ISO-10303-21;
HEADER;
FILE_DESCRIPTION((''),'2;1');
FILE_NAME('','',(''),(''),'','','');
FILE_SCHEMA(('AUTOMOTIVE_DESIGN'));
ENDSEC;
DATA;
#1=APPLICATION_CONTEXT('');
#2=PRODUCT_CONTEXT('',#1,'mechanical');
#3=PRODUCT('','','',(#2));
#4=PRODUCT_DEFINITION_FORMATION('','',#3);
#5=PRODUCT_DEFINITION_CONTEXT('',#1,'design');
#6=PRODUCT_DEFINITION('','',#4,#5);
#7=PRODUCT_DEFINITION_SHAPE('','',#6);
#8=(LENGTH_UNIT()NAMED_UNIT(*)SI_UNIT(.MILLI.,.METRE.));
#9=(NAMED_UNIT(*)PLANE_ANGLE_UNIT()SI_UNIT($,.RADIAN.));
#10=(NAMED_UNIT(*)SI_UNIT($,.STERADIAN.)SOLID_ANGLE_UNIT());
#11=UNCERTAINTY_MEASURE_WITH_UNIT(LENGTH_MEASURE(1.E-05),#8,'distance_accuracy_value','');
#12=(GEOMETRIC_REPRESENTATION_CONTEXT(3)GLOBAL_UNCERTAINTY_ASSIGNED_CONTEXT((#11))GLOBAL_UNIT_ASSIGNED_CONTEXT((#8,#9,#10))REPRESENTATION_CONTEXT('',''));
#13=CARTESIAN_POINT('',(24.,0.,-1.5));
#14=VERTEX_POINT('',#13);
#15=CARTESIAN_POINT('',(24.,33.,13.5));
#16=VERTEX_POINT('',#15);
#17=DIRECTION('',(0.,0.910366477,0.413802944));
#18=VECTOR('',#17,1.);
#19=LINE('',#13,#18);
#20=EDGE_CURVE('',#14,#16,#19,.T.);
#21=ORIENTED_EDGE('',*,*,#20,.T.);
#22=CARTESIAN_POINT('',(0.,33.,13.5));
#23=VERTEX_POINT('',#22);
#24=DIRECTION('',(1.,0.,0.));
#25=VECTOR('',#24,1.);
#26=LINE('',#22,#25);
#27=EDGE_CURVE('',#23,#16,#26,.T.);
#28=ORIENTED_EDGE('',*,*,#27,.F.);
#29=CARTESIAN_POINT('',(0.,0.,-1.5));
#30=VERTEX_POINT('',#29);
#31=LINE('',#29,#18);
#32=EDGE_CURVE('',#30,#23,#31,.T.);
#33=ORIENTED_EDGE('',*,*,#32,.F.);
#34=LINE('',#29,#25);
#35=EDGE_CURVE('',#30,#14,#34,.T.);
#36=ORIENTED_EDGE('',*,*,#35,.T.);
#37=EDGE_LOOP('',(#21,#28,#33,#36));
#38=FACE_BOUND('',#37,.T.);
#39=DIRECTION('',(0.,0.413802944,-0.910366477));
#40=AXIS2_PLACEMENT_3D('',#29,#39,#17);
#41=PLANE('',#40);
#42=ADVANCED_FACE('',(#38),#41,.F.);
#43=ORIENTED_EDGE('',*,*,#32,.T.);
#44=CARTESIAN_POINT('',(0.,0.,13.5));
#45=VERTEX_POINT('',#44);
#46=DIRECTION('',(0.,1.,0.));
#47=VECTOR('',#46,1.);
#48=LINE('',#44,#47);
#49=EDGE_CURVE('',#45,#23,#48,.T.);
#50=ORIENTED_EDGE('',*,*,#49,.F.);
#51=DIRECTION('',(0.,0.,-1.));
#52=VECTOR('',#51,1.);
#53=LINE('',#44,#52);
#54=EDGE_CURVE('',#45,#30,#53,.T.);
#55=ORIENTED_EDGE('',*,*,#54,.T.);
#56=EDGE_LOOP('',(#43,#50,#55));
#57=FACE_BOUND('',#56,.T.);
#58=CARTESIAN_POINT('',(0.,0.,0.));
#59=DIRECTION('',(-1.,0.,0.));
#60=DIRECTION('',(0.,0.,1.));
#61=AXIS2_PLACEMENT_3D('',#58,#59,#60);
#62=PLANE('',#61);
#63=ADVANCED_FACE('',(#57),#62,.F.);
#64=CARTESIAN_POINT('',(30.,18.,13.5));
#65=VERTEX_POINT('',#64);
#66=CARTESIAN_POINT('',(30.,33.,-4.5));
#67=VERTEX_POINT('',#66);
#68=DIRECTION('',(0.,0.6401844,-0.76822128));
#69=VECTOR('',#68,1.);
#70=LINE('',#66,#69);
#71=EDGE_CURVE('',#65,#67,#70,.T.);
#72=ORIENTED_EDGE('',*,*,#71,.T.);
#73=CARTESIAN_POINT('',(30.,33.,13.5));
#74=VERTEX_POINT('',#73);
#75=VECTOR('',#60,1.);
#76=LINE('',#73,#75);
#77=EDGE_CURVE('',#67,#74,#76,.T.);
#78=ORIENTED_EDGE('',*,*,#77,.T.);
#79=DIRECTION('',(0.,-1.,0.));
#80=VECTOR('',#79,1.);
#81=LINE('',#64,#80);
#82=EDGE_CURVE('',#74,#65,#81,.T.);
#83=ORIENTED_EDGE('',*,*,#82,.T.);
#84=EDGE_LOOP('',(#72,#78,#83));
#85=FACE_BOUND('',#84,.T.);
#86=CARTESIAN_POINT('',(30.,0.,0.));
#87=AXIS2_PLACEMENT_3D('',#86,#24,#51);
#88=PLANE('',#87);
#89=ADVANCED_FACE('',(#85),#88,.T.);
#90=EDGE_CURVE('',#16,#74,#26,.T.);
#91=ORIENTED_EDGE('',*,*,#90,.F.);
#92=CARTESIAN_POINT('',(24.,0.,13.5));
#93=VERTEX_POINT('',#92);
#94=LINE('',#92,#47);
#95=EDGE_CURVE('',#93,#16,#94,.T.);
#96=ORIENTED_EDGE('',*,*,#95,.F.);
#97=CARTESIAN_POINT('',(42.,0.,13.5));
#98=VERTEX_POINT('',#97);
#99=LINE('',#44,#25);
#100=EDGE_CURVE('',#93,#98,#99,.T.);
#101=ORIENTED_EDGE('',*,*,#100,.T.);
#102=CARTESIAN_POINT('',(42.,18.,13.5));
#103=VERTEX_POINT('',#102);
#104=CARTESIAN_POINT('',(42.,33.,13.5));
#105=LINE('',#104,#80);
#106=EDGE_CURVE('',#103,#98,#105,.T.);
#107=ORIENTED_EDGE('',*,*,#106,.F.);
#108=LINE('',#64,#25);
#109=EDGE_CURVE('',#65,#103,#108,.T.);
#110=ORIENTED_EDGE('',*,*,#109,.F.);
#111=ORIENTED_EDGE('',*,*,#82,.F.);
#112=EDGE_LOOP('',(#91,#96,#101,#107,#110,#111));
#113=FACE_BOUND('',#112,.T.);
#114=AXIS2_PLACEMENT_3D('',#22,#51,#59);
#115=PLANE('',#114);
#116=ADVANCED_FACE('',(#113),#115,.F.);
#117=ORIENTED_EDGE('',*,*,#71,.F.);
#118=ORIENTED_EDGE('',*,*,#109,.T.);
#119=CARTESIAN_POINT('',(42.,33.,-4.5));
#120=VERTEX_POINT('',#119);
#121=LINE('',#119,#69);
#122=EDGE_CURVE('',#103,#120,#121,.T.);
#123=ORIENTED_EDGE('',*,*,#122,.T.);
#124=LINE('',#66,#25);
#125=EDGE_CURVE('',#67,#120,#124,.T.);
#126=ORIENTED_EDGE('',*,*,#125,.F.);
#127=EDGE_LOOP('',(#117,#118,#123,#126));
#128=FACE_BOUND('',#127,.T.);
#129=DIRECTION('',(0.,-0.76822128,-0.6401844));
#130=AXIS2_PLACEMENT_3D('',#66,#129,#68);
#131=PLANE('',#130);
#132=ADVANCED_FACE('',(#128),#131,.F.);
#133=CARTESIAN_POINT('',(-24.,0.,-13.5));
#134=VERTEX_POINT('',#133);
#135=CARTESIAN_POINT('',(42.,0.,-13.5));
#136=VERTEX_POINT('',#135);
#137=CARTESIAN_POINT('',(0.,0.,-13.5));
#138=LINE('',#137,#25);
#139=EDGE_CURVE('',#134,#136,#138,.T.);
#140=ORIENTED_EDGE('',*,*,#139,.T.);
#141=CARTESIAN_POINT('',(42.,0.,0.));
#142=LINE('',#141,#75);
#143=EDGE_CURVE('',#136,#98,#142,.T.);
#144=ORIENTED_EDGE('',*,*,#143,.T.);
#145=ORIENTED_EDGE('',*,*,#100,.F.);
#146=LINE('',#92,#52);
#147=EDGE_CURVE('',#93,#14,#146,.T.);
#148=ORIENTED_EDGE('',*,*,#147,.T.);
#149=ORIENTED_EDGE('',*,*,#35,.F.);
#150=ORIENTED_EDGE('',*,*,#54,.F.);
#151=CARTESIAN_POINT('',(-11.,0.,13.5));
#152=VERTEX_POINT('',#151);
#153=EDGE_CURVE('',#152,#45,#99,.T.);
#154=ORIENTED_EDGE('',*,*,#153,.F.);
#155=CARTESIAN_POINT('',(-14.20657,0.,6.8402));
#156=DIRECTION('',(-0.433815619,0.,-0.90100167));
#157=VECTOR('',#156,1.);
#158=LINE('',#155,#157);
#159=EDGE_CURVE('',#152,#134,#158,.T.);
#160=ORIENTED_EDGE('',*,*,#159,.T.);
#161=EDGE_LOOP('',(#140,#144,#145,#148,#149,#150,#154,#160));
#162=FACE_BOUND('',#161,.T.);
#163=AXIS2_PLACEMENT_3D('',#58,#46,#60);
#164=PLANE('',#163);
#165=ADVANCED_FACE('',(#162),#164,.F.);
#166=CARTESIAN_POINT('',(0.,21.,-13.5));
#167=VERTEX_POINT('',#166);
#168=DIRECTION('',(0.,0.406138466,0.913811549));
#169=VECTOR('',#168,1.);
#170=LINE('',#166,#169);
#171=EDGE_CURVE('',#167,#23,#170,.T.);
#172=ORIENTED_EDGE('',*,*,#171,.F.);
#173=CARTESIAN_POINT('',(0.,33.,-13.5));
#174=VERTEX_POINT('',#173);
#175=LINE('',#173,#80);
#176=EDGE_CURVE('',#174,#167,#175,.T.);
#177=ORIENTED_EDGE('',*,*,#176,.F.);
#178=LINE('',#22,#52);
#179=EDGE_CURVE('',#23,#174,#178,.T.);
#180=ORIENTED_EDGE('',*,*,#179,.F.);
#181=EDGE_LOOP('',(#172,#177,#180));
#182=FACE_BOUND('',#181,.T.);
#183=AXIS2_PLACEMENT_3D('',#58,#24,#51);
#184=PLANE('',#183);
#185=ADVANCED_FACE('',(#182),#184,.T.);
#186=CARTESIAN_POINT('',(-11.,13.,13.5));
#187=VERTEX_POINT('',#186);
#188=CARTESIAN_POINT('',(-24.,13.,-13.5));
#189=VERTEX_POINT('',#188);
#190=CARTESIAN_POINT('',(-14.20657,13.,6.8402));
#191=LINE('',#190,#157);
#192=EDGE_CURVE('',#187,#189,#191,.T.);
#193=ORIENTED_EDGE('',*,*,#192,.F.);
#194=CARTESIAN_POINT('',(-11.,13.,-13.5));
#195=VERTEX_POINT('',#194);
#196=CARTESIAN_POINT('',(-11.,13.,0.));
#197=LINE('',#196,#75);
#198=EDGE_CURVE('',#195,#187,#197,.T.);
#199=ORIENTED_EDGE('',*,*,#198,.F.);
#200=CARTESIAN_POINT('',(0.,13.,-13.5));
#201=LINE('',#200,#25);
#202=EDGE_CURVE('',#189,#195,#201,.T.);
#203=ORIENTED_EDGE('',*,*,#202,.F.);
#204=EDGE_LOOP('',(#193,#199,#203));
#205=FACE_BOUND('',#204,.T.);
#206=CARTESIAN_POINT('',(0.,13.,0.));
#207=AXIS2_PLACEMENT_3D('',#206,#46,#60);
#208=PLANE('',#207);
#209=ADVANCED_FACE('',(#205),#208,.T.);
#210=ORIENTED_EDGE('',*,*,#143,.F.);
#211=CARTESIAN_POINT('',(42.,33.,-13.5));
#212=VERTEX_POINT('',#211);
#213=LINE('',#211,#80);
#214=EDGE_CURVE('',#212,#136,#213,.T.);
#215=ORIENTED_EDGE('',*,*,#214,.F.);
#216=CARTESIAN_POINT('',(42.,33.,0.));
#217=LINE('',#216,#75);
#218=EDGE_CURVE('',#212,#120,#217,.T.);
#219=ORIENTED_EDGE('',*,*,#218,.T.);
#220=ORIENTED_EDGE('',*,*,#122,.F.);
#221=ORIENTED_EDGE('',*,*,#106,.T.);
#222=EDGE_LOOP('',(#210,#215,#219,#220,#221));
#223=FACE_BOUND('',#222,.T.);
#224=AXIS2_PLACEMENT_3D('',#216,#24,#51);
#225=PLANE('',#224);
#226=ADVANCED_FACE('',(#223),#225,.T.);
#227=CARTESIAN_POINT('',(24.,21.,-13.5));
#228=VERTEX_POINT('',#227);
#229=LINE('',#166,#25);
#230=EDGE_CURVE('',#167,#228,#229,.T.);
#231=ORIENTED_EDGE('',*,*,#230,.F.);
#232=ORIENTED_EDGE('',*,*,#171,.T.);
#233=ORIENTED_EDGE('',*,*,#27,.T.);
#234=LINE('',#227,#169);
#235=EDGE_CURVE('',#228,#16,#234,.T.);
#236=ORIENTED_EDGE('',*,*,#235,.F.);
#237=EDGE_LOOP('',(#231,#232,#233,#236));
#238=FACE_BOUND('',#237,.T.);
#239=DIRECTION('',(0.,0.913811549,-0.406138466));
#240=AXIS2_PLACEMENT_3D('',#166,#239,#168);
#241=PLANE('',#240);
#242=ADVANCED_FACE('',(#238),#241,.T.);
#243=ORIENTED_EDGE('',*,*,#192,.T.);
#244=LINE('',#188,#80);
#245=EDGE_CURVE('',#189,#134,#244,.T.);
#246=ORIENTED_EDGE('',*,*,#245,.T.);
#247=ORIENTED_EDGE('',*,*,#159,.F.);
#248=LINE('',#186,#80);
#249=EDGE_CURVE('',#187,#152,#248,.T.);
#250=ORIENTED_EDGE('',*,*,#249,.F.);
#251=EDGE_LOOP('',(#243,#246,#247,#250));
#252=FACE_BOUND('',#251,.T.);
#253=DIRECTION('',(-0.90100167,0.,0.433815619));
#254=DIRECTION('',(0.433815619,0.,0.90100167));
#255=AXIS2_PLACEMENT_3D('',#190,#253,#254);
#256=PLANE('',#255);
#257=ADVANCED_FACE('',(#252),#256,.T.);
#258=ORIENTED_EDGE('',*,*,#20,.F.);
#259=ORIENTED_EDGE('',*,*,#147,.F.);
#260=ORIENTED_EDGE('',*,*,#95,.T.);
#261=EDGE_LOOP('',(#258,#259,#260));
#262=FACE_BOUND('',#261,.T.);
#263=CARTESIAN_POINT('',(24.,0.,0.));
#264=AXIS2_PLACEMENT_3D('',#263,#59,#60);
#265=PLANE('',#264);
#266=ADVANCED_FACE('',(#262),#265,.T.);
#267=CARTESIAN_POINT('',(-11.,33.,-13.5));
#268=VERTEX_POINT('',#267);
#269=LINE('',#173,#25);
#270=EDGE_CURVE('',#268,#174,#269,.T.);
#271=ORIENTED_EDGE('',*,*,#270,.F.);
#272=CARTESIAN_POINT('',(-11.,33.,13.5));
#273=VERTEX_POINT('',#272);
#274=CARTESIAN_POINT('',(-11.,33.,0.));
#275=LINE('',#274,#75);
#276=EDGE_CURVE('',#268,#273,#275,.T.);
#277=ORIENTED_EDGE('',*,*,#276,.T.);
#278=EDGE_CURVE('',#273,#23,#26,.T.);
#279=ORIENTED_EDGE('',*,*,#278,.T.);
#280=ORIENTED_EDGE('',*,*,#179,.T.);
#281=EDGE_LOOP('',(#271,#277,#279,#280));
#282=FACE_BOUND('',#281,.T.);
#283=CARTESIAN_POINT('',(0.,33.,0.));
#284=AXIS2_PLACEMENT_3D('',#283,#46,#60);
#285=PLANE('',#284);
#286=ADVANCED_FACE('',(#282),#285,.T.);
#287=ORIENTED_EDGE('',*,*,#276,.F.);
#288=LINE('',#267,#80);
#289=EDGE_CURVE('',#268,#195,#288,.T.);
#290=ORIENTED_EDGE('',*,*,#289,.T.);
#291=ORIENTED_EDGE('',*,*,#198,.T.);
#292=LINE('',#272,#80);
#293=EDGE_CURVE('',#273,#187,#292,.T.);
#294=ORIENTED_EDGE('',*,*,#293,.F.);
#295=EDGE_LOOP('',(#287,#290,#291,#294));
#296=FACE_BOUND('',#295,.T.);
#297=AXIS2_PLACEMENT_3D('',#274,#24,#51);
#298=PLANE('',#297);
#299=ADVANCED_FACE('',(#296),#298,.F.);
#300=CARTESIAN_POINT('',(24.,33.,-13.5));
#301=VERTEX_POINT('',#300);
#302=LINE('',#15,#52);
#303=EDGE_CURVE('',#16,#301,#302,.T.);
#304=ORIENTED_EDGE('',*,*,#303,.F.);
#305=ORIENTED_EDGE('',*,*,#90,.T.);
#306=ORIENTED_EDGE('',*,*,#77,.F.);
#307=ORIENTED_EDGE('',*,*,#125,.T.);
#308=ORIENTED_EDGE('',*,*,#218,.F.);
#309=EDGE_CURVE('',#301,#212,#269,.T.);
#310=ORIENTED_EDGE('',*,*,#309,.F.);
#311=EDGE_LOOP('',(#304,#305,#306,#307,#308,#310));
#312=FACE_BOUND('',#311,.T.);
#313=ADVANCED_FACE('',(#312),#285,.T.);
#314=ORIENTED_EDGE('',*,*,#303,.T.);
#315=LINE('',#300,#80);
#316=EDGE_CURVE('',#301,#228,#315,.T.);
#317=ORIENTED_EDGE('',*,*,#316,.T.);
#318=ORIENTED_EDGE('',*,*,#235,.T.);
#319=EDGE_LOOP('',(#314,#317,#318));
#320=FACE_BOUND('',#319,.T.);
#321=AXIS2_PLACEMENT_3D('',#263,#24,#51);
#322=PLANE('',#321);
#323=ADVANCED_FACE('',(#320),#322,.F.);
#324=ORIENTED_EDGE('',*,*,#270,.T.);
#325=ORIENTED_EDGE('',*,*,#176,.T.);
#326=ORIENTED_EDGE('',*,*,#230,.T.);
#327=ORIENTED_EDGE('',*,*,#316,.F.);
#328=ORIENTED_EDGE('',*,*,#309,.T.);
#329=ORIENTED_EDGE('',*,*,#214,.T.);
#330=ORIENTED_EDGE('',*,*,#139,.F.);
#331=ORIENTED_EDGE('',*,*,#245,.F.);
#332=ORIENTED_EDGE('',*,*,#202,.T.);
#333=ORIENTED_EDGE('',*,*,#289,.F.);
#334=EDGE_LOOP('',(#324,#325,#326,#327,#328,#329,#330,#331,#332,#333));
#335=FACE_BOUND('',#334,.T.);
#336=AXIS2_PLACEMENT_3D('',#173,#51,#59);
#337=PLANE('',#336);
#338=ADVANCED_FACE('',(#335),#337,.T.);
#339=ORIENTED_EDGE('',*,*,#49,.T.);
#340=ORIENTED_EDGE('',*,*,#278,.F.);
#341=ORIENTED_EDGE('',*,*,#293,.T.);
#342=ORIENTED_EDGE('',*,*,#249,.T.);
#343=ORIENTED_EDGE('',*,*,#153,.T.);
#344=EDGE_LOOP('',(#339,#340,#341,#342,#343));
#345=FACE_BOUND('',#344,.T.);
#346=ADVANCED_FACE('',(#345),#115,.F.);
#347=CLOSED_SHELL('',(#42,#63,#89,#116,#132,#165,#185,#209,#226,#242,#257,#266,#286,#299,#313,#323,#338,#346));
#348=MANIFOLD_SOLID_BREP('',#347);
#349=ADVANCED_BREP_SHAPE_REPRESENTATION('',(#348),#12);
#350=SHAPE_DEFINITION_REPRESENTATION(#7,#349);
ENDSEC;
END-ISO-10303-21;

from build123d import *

# Parameters (mm, degrees)
SKETCH1_W             = 11
SKETCH1_H             = 27
BOSS_EXTRUDE1_DEPTH   = 33
SKETCH1_W_2           = 18
BOSS_EXTRUDE1_2_DEPTH = 33
BOSS_EXTRUDE2_DEPTH   = 13
SKETCH1_5_W           = 24
SKETCH1_5_H           = 27
BOSS_EXTRUDE4_DEPTH   = 33
CUT_EXTRUDE1_DEPTH    = 24
CUT_EXTRUDE2_DEPTH    = 12


with BuildPart() as part:
    # Sketch1 → Boss-Extrude1 (new body)
    with BuildSketch(Plane(origin=(0, 0, 0), x_dir=(1, 0, 0), z_dir=(0, 1, 0))):
        with Locations((-5.5, 0)):
            Rectangle(SKETCH1_W, SKETCH1_H)
    extrude(amount=BOSS_EXTRUDE1_DEPTH)

    # Sketch1<3> → Boss-Extrude2 (add)
    with BuildSketch(Plane(origin=(0, 0, 0), x_dir=(1, 0, 0), z_dir=(0, 1, 0))):
        Polygon((-24, 13.5), (-11, -13.5), (-11, 13.5), align=None)
    extrude(amount=BOSS_EXTRUDE2_DEPTH)



with BuildPart() as body_2:
    # Sketch1 → Boss-Extrude1 2 (new body)
    with BuildSketch(Plane(origin=(0, 0, 0), x_dir=(1, 0, 0), z_dir=(0, 1, 0))):
        with Locations((33, 0)):
            Rectangle(SKETCH1_W_2, SKETCH1_H)
    extrude(amount=BOSS_EXTRUDE1_2_DEPTH)


with BuildPart() as part_1:
    add(part.part)

    add(body_2.part)  # Boss-Extrude4 merges body 2
    # Sketch1<5> → Boss-Extrude4 (add)
    with BuildSketch(Plane(origin=(0, 0, 0), x_dir=(1, 0, 0), z_dir=(0, 1, 0))):
        with Locations((12, 0)):
            Rectangle(SKETCH1_5_W, SKETCH1_5_H)
    extrude(amount=BOSS_EXTRUDE4_DEPTH)

    # Sketch3 → Cut-Extrude1 (cut)
    with BuildSketch(Plane.ZY.offset(-24)):
        Polygon((13.5, 33), (-13.5, 33), (-13.5, 21), align=None)
        Polygon((13.5, 0), (13.5, 33), (-1.5, 0), align=None)
    extrude(amount=CUT_EXTRUDE1_DEPTH, mode=Mode.SUBTRACT)

    # Sketch4 → Cut-Extrude2 (cut)
    with BuildSketch(Plane(origin=(42, 0, 0), x_dir=(0, 0, -1), z_dir=(1, 0, 0))):
        Polygon((4.5, 33), (-13.5, 18), (-13.5, 33), align=None)
    extrude(amount=-CUT_EXTRUDE2_DEPTH, mode=Mode.SUBTRACT)


solid = part_1.part
